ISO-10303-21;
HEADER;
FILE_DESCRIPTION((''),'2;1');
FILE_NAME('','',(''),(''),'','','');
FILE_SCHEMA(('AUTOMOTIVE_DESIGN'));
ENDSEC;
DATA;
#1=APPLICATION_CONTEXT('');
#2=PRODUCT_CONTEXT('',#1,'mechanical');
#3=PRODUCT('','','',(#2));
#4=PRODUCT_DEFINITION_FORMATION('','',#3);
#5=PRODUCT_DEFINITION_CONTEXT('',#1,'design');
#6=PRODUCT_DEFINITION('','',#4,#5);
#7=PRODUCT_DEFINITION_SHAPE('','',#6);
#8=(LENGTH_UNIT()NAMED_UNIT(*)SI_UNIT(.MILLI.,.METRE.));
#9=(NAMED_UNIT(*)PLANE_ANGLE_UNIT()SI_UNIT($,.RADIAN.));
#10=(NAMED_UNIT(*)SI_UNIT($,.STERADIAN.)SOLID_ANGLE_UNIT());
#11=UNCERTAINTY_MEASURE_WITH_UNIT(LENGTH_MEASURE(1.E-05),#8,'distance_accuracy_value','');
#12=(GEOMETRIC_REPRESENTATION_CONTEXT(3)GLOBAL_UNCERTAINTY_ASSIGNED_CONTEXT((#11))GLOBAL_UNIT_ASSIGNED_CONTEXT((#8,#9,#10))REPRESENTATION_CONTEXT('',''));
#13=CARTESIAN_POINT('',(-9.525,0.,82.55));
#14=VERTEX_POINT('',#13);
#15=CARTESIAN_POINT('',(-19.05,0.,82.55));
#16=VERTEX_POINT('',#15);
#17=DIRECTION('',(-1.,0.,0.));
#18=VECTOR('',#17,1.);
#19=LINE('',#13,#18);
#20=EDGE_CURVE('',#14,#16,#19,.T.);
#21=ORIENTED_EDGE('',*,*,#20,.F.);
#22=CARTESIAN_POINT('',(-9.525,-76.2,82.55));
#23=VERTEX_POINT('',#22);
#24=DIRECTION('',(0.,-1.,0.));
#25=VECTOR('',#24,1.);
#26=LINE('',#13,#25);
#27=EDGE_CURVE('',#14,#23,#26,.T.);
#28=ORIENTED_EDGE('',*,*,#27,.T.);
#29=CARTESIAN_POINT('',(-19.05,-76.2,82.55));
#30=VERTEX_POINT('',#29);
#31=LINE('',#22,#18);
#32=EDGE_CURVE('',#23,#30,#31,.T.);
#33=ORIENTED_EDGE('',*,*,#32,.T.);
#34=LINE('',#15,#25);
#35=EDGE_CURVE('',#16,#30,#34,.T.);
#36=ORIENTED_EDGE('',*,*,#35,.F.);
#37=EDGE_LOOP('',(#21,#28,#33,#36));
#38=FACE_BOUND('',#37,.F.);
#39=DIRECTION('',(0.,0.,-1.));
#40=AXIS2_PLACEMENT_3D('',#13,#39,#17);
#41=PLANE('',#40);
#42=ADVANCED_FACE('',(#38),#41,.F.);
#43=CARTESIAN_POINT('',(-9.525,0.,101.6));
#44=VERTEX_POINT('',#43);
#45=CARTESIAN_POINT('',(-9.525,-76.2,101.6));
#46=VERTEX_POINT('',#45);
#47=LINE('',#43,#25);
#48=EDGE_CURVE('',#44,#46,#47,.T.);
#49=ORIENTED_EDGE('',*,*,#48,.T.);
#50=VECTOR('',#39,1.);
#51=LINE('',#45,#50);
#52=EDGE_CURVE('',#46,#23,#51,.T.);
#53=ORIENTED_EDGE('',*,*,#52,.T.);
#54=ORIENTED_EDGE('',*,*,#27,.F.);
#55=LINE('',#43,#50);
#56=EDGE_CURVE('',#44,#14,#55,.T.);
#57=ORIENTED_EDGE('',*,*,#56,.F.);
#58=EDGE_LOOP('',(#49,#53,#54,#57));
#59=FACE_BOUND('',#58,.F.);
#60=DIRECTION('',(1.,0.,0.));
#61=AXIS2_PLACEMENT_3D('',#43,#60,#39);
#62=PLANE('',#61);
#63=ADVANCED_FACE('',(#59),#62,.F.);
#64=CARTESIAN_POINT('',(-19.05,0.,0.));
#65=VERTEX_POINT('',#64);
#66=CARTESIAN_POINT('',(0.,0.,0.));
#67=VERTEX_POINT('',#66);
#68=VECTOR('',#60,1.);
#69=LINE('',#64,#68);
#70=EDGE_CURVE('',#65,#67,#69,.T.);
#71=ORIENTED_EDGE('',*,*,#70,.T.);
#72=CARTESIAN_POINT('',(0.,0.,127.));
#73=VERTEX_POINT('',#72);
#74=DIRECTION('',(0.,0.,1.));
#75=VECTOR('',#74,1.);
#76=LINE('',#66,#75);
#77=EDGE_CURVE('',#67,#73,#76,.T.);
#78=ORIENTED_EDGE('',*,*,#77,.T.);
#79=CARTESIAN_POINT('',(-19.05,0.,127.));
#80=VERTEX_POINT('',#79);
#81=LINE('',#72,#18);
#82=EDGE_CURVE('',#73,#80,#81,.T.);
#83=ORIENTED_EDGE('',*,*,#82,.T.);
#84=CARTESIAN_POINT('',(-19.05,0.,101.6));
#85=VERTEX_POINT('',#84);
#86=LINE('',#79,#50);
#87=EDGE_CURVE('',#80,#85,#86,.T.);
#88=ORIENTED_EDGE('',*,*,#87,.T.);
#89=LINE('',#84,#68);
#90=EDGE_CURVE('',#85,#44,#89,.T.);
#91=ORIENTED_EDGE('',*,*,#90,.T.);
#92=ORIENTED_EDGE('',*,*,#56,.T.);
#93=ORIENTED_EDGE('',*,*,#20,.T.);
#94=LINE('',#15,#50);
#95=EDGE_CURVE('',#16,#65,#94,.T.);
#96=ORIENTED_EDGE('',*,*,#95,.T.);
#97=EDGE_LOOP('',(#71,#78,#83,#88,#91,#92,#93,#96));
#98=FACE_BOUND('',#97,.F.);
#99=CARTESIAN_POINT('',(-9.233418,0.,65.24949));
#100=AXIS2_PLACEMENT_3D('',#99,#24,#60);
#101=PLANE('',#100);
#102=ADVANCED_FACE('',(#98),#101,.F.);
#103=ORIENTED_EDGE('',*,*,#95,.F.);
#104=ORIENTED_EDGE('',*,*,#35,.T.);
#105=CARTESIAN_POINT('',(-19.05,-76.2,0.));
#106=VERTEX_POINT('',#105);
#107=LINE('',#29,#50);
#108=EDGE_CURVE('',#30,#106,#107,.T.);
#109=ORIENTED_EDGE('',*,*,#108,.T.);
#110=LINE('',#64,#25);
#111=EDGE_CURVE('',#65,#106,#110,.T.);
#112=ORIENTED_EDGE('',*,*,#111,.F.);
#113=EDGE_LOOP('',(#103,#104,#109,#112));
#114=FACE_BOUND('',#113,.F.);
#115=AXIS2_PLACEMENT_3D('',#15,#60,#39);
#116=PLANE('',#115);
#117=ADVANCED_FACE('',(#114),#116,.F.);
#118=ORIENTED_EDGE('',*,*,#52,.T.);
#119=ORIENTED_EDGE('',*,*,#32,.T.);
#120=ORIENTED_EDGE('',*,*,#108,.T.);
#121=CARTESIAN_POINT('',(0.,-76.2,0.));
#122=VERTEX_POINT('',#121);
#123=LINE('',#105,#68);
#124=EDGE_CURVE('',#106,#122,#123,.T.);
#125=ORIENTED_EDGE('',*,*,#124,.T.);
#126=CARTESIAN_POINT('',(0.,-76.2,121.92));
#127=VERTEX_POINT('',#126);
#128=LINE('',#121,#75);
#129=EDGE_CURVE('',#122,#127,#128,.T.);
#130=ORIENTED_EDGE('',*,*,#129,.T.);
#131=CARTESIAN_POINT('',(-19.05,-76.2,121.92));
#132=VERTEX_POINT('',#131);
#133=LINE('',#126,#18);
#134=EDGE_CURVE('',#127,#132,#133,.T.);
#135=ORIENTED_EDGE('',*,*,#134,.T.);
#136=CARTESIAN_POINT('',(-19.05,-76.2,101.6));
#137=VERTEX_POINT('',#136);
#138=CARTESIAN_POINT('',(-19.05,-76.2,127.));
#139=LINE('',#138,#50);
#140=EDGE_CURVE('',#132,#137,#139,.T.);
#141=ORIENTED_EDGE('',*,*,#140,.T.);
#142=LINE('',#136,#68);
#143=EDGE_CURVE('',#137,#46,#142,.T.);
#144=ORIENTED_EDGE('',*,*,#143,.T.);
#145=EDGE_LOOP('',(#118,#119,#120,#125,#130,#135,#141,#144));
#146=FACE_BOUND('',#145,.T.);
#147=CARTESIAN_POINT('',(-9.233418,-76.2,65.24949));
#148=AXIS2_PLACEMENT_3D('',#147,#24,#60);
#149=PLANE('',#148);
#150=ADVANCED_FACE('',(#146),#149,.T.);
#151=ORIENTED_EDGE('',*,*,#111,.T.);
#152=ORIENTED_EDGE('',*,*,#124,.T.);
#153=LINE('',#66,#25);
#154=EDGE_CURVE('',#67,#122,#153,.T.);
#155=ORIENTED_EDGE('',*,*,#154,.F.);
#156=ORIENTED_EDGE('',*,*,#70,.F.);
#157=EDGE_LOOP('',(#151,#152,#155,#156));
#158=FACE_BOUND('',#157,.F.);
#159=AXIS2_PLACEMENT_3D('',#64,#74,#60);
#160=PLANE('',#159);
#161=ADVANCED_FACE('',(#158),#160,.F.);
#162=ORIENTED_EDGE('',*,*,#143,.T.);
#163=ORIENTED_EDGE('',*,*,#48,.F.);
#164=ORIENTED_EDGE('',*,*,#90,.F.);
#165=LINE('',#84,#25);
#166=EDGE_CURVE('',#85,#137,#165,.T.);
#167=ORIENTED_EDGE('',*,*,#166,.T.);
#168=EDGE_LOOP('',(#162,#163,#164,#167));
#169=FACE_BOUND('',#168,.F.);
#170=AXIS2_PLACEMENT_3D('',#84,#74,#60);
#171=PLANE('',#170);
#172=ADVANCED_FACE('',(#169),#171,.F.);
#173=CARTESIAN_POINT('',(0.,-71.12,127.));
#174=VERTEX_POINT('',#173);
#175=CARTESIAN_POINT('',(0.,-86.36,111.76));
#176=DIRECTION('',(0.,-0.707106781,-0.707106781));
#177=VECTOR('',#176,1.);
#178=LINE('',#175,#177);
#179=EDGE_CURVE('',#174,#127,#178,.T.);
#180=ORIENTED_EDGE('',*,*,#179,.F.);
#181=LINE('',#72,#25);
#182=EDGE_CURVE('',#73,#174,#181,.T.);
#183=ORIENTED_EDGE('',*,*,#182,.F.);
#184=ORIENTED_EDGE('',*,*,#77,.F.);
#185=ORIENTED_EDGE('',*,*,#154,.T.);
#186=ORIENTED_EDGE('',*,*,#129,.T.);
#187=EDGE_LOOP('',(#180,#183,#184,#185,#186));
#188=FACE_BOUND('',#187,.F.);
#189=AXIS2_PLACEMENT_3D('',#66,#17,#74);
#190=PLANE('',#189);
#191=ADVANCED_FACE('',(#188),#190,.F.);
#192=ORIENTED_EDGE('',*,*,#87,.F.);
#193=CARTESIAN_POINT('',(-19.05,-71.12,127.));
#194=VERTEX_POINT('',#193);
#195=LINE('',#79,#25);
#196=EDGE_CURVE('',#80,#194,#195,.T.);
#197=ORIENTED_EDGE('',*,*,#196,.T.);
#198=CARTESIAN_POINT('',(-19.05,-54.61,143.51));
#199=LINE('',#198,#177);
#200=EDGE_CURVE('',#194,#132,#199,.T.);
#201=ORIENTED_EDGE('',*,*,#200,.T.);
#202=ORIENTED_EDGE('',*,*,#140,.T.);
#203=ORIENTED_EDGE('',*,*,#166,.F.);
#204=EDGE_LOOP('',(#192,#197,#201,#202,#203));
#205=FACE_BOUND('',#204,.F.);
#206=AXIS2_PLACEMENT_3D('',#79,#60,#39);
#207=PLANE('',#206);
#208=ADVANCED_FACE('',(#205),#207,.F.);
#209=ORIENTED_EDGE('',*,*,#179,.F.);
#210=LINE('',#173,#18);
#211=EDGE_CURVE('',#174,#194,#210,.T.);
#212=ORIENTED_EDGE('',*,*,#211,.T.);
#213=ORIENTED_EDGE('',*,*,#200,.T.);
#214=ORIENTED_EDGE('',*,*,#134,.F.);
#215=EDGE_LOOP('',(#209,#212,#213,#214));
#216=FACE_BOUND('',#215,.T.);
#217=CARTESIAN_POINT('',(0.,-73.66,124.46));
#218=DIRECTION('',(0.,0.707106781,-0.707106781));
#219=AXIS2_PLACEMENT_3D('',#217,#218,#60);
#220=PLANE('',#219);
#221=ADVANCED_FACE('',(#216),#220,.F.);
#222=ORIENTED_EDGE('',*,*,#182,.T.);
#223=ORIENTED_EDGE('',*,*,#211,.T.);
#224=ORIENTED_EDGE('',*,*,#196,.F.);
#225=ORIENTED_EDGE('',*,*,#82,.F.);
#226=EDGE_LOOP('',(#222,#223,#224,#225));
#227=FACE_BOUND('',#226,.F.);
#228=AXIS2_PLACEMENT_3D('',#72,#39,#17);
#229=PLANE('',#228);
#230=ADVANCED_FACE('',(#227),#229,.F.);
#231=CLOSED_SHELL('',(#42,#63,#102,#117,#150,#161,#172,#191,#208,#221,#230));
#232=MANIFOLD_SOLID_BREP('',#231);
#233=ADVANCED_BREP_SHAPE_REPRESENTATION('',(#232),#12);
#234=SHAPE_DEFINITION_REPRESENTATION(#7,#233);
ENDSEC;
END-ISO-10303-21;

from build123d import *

# Parameters (mm, degrees)
F1_DEPTH = 76.2
F2_SIZE  = 5.08


with BuildPart() as f1:
    # F0 (on Front) → F1 (new body)
    with BuildSketch(Plane.XZ):
        Polygon((-19.05, 0), (0, 0), (0, 127), (-19.05, 127), (-19.05, 101.6), (-9.525, 101.6), (-9.525, 82.55), (-19.05, 82.55), align=None)
    extrude(amount=F1_DEPTH)

    # F2
    f2_edges = [f1.edges().sort_by_distance(p)[0] for p in [
        (-9.525, -76.2, 127),
    ]]
    chamfer(f2_edges, length=F2_SIZE)


solid = f1.part
